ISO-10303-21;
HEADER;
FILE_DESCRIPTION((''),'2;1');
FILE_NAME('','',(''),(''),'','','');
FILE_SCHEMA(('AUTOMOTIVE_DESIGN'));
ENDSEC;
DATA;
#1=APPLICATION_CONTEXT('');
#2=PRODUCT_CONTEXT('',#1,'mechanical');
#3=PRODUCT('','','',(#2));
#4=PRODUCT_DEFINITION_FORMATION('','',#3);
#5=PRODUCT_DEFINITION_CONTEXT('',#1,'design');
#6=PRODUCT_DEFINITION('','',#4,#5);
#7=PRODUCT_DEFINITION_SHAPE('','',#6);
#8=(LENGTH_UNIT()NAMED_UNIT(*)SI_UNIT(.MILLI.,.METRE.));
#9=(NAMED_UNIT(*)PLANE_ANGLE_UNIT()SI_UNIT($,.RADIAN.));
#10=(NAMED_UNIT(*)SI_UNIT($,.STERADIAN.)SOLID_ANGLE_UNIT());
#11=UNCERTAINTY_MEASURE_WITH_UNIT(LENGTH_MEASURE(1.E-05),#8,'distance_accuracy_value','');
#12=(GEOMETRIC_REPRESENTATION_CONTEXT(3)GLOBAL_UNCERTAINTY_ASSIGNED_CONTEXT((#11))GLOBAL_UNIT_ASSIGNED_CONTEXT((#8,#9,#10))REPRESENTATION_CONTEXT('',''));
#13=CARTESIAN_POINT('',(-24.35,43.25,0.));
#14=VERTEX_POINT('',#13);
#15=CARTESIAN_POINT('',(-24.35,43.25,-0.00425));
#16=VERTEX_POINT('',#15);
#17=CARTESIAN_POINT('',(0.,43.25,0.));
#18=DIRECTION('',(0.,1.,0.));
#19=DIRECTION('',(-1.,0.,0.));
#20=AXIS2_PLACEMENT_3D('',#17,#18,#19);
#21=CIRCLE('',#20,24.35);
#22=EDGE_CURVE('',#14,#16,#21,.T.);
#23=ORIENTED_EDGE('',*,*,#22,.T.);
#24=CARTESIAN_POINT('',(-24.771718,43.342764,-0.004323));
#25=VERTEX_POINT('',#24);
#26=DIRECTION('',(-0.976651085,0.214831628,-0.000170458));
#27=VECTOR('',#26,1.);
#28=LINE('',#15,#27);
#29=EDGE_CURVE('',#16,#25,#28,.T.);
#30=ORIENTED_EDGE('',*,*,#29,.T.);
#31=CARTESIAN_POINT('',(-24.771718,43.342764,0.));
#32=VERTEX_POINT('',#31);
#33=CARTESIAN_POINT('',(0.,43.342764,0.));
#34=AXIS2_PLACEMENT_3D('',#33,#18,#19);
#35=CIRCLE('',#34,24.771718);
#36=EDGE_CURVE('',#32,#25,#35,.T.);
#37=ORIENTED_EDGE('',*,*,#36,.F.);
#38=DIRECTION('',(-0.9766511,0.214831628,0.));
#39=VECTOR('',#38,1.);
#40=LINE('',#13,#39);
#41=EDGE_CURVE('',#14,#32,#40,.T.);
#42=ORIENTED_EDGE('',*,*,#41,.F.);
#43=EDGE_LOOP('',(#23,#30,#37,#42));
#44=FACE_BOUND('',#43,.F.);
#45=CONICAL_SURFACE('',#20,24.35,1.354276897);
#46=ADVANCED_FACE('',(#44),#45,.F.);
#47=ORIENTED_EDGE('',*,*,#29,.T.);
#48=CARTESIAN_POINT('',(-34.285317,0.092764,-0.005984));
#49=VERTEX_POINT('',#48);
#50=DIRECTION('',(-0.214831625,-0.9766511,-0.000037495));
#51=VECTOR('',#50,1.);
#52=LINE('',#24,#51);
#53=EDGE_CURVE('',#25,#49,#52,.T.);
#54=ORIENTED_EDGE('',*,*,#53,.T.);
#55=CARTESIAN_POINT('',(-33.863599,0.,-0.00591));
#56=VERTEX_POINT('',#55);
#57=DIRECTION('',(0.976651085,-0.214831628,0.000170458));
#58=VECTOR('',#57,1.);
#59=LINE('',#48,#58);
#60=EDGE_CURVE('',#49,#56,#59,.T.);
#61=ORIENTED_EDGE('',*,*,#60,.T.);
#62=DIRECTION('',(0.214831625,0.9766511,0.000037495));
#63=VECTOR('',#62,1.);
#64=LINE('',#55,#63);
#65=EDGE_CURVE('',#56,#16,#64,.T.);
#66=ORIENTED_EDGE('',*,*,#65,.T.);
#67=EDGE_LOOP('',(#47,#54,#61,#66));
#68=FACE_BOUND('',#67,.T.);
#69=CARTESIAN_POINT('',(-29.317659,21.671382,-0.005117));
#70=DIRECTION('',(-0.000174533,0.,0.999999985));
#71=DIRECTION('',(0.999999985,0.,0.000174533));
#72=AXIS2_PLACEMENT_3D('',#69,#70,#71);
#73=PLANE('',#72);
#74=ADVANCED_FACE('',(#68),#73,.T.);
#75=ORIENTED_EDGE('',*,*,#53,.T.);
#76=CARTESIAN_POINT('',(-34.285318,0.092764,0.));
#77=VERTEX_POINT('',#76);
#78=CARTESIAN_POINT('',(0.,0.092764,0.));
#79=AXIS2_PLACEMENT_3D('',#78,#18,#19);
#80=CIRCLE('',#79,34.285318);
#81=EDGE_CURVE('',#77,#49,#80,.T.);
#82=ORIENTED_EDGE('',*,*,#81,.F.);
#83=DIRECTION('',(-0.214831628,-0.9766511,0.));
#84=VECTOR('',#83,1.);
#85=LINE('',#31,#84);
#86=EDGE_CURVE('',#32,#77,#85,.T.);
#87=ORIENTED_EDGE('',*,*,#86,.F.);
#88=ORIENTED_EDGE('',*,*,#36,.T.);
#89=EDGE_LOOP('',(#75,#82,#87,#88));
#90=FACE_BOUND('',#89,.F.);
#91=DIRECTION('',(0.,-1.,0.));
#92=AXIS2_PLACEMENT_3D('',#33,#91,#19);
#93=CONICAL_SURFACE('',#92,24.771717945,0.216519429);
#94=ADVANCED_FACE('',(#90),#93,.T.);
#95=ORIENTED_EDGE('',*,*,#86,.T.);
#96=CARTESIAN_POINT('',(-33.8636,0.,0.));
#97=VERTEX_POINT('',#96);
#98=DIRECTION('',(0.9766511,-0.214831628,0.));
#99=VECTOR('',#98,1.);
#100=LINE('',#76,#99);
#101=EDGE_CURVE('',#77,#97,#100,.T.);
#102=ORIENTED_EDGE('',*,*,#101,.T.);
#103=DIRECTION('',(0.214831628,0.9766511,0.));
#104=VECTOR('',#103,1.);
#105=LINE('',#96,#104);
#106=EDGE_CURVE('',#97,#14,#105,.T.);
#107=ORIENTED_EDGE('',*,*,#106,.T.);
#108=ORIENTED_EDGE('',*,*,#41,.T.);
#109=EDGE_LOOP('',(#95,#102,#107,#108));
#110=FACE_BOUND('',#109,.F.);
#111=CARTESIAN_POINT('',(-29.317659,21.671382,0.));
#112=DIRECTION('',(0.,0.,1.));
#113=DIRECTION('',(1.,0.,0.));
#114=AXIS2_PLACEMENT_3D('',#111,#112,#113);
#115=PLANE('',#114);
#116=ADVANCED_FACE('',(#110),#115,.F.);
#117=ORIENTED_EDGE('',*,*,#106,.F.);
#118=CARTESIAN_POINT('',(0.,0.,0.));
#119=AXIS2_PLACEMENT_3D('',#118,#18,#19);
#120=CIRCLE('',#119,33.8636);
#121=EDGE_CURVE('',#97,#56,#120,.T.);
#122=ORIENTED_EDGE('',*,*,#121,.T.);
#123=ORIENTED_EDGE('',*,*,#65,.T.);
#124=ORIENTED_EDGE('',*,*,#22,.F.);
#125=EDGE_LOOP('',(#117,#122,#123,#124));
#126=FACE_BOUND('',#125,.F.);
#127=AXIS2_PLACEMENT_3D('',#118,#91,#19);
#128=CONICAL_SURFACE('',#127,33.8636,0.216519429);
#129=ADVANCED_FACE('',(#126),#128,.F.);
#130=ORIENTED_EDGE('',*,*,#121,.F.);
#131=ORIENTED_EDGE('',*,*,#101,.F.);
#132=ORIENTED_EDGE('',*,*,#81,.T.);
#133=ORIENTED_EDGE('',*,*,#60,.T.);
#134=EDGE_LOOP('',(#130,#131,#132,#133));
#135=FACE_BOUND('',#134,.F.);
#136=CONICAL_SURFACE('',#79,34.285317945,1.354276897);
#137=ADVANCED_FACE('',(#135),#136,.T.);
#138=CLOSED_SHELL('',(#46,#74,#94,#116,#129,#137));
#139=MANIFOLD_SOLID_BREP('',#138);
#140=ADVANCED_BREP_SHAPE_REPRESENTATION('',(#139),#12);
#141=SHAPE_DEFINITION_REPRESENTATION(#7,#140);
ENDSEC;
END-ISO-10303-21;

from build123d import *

# Parameters (mm, degrees)
REVOLVE1_ANGLE = 359.99


with BuildPart() as part:
    # Sketch1 → Revolve1 (revolve)
    with BuildSketch(Plane.XY):
        Polygon((-33.8636, 0), (-24.35, 43.25), (-24.771717945, 43.342764297), (-34.285317945, 0.092764297), align=None)
    revolve(axis=Axis((0, 0, 0), (0, 1, 0)), revolution_arc=REVOLVE1_ANGLE)


solid = part.part
